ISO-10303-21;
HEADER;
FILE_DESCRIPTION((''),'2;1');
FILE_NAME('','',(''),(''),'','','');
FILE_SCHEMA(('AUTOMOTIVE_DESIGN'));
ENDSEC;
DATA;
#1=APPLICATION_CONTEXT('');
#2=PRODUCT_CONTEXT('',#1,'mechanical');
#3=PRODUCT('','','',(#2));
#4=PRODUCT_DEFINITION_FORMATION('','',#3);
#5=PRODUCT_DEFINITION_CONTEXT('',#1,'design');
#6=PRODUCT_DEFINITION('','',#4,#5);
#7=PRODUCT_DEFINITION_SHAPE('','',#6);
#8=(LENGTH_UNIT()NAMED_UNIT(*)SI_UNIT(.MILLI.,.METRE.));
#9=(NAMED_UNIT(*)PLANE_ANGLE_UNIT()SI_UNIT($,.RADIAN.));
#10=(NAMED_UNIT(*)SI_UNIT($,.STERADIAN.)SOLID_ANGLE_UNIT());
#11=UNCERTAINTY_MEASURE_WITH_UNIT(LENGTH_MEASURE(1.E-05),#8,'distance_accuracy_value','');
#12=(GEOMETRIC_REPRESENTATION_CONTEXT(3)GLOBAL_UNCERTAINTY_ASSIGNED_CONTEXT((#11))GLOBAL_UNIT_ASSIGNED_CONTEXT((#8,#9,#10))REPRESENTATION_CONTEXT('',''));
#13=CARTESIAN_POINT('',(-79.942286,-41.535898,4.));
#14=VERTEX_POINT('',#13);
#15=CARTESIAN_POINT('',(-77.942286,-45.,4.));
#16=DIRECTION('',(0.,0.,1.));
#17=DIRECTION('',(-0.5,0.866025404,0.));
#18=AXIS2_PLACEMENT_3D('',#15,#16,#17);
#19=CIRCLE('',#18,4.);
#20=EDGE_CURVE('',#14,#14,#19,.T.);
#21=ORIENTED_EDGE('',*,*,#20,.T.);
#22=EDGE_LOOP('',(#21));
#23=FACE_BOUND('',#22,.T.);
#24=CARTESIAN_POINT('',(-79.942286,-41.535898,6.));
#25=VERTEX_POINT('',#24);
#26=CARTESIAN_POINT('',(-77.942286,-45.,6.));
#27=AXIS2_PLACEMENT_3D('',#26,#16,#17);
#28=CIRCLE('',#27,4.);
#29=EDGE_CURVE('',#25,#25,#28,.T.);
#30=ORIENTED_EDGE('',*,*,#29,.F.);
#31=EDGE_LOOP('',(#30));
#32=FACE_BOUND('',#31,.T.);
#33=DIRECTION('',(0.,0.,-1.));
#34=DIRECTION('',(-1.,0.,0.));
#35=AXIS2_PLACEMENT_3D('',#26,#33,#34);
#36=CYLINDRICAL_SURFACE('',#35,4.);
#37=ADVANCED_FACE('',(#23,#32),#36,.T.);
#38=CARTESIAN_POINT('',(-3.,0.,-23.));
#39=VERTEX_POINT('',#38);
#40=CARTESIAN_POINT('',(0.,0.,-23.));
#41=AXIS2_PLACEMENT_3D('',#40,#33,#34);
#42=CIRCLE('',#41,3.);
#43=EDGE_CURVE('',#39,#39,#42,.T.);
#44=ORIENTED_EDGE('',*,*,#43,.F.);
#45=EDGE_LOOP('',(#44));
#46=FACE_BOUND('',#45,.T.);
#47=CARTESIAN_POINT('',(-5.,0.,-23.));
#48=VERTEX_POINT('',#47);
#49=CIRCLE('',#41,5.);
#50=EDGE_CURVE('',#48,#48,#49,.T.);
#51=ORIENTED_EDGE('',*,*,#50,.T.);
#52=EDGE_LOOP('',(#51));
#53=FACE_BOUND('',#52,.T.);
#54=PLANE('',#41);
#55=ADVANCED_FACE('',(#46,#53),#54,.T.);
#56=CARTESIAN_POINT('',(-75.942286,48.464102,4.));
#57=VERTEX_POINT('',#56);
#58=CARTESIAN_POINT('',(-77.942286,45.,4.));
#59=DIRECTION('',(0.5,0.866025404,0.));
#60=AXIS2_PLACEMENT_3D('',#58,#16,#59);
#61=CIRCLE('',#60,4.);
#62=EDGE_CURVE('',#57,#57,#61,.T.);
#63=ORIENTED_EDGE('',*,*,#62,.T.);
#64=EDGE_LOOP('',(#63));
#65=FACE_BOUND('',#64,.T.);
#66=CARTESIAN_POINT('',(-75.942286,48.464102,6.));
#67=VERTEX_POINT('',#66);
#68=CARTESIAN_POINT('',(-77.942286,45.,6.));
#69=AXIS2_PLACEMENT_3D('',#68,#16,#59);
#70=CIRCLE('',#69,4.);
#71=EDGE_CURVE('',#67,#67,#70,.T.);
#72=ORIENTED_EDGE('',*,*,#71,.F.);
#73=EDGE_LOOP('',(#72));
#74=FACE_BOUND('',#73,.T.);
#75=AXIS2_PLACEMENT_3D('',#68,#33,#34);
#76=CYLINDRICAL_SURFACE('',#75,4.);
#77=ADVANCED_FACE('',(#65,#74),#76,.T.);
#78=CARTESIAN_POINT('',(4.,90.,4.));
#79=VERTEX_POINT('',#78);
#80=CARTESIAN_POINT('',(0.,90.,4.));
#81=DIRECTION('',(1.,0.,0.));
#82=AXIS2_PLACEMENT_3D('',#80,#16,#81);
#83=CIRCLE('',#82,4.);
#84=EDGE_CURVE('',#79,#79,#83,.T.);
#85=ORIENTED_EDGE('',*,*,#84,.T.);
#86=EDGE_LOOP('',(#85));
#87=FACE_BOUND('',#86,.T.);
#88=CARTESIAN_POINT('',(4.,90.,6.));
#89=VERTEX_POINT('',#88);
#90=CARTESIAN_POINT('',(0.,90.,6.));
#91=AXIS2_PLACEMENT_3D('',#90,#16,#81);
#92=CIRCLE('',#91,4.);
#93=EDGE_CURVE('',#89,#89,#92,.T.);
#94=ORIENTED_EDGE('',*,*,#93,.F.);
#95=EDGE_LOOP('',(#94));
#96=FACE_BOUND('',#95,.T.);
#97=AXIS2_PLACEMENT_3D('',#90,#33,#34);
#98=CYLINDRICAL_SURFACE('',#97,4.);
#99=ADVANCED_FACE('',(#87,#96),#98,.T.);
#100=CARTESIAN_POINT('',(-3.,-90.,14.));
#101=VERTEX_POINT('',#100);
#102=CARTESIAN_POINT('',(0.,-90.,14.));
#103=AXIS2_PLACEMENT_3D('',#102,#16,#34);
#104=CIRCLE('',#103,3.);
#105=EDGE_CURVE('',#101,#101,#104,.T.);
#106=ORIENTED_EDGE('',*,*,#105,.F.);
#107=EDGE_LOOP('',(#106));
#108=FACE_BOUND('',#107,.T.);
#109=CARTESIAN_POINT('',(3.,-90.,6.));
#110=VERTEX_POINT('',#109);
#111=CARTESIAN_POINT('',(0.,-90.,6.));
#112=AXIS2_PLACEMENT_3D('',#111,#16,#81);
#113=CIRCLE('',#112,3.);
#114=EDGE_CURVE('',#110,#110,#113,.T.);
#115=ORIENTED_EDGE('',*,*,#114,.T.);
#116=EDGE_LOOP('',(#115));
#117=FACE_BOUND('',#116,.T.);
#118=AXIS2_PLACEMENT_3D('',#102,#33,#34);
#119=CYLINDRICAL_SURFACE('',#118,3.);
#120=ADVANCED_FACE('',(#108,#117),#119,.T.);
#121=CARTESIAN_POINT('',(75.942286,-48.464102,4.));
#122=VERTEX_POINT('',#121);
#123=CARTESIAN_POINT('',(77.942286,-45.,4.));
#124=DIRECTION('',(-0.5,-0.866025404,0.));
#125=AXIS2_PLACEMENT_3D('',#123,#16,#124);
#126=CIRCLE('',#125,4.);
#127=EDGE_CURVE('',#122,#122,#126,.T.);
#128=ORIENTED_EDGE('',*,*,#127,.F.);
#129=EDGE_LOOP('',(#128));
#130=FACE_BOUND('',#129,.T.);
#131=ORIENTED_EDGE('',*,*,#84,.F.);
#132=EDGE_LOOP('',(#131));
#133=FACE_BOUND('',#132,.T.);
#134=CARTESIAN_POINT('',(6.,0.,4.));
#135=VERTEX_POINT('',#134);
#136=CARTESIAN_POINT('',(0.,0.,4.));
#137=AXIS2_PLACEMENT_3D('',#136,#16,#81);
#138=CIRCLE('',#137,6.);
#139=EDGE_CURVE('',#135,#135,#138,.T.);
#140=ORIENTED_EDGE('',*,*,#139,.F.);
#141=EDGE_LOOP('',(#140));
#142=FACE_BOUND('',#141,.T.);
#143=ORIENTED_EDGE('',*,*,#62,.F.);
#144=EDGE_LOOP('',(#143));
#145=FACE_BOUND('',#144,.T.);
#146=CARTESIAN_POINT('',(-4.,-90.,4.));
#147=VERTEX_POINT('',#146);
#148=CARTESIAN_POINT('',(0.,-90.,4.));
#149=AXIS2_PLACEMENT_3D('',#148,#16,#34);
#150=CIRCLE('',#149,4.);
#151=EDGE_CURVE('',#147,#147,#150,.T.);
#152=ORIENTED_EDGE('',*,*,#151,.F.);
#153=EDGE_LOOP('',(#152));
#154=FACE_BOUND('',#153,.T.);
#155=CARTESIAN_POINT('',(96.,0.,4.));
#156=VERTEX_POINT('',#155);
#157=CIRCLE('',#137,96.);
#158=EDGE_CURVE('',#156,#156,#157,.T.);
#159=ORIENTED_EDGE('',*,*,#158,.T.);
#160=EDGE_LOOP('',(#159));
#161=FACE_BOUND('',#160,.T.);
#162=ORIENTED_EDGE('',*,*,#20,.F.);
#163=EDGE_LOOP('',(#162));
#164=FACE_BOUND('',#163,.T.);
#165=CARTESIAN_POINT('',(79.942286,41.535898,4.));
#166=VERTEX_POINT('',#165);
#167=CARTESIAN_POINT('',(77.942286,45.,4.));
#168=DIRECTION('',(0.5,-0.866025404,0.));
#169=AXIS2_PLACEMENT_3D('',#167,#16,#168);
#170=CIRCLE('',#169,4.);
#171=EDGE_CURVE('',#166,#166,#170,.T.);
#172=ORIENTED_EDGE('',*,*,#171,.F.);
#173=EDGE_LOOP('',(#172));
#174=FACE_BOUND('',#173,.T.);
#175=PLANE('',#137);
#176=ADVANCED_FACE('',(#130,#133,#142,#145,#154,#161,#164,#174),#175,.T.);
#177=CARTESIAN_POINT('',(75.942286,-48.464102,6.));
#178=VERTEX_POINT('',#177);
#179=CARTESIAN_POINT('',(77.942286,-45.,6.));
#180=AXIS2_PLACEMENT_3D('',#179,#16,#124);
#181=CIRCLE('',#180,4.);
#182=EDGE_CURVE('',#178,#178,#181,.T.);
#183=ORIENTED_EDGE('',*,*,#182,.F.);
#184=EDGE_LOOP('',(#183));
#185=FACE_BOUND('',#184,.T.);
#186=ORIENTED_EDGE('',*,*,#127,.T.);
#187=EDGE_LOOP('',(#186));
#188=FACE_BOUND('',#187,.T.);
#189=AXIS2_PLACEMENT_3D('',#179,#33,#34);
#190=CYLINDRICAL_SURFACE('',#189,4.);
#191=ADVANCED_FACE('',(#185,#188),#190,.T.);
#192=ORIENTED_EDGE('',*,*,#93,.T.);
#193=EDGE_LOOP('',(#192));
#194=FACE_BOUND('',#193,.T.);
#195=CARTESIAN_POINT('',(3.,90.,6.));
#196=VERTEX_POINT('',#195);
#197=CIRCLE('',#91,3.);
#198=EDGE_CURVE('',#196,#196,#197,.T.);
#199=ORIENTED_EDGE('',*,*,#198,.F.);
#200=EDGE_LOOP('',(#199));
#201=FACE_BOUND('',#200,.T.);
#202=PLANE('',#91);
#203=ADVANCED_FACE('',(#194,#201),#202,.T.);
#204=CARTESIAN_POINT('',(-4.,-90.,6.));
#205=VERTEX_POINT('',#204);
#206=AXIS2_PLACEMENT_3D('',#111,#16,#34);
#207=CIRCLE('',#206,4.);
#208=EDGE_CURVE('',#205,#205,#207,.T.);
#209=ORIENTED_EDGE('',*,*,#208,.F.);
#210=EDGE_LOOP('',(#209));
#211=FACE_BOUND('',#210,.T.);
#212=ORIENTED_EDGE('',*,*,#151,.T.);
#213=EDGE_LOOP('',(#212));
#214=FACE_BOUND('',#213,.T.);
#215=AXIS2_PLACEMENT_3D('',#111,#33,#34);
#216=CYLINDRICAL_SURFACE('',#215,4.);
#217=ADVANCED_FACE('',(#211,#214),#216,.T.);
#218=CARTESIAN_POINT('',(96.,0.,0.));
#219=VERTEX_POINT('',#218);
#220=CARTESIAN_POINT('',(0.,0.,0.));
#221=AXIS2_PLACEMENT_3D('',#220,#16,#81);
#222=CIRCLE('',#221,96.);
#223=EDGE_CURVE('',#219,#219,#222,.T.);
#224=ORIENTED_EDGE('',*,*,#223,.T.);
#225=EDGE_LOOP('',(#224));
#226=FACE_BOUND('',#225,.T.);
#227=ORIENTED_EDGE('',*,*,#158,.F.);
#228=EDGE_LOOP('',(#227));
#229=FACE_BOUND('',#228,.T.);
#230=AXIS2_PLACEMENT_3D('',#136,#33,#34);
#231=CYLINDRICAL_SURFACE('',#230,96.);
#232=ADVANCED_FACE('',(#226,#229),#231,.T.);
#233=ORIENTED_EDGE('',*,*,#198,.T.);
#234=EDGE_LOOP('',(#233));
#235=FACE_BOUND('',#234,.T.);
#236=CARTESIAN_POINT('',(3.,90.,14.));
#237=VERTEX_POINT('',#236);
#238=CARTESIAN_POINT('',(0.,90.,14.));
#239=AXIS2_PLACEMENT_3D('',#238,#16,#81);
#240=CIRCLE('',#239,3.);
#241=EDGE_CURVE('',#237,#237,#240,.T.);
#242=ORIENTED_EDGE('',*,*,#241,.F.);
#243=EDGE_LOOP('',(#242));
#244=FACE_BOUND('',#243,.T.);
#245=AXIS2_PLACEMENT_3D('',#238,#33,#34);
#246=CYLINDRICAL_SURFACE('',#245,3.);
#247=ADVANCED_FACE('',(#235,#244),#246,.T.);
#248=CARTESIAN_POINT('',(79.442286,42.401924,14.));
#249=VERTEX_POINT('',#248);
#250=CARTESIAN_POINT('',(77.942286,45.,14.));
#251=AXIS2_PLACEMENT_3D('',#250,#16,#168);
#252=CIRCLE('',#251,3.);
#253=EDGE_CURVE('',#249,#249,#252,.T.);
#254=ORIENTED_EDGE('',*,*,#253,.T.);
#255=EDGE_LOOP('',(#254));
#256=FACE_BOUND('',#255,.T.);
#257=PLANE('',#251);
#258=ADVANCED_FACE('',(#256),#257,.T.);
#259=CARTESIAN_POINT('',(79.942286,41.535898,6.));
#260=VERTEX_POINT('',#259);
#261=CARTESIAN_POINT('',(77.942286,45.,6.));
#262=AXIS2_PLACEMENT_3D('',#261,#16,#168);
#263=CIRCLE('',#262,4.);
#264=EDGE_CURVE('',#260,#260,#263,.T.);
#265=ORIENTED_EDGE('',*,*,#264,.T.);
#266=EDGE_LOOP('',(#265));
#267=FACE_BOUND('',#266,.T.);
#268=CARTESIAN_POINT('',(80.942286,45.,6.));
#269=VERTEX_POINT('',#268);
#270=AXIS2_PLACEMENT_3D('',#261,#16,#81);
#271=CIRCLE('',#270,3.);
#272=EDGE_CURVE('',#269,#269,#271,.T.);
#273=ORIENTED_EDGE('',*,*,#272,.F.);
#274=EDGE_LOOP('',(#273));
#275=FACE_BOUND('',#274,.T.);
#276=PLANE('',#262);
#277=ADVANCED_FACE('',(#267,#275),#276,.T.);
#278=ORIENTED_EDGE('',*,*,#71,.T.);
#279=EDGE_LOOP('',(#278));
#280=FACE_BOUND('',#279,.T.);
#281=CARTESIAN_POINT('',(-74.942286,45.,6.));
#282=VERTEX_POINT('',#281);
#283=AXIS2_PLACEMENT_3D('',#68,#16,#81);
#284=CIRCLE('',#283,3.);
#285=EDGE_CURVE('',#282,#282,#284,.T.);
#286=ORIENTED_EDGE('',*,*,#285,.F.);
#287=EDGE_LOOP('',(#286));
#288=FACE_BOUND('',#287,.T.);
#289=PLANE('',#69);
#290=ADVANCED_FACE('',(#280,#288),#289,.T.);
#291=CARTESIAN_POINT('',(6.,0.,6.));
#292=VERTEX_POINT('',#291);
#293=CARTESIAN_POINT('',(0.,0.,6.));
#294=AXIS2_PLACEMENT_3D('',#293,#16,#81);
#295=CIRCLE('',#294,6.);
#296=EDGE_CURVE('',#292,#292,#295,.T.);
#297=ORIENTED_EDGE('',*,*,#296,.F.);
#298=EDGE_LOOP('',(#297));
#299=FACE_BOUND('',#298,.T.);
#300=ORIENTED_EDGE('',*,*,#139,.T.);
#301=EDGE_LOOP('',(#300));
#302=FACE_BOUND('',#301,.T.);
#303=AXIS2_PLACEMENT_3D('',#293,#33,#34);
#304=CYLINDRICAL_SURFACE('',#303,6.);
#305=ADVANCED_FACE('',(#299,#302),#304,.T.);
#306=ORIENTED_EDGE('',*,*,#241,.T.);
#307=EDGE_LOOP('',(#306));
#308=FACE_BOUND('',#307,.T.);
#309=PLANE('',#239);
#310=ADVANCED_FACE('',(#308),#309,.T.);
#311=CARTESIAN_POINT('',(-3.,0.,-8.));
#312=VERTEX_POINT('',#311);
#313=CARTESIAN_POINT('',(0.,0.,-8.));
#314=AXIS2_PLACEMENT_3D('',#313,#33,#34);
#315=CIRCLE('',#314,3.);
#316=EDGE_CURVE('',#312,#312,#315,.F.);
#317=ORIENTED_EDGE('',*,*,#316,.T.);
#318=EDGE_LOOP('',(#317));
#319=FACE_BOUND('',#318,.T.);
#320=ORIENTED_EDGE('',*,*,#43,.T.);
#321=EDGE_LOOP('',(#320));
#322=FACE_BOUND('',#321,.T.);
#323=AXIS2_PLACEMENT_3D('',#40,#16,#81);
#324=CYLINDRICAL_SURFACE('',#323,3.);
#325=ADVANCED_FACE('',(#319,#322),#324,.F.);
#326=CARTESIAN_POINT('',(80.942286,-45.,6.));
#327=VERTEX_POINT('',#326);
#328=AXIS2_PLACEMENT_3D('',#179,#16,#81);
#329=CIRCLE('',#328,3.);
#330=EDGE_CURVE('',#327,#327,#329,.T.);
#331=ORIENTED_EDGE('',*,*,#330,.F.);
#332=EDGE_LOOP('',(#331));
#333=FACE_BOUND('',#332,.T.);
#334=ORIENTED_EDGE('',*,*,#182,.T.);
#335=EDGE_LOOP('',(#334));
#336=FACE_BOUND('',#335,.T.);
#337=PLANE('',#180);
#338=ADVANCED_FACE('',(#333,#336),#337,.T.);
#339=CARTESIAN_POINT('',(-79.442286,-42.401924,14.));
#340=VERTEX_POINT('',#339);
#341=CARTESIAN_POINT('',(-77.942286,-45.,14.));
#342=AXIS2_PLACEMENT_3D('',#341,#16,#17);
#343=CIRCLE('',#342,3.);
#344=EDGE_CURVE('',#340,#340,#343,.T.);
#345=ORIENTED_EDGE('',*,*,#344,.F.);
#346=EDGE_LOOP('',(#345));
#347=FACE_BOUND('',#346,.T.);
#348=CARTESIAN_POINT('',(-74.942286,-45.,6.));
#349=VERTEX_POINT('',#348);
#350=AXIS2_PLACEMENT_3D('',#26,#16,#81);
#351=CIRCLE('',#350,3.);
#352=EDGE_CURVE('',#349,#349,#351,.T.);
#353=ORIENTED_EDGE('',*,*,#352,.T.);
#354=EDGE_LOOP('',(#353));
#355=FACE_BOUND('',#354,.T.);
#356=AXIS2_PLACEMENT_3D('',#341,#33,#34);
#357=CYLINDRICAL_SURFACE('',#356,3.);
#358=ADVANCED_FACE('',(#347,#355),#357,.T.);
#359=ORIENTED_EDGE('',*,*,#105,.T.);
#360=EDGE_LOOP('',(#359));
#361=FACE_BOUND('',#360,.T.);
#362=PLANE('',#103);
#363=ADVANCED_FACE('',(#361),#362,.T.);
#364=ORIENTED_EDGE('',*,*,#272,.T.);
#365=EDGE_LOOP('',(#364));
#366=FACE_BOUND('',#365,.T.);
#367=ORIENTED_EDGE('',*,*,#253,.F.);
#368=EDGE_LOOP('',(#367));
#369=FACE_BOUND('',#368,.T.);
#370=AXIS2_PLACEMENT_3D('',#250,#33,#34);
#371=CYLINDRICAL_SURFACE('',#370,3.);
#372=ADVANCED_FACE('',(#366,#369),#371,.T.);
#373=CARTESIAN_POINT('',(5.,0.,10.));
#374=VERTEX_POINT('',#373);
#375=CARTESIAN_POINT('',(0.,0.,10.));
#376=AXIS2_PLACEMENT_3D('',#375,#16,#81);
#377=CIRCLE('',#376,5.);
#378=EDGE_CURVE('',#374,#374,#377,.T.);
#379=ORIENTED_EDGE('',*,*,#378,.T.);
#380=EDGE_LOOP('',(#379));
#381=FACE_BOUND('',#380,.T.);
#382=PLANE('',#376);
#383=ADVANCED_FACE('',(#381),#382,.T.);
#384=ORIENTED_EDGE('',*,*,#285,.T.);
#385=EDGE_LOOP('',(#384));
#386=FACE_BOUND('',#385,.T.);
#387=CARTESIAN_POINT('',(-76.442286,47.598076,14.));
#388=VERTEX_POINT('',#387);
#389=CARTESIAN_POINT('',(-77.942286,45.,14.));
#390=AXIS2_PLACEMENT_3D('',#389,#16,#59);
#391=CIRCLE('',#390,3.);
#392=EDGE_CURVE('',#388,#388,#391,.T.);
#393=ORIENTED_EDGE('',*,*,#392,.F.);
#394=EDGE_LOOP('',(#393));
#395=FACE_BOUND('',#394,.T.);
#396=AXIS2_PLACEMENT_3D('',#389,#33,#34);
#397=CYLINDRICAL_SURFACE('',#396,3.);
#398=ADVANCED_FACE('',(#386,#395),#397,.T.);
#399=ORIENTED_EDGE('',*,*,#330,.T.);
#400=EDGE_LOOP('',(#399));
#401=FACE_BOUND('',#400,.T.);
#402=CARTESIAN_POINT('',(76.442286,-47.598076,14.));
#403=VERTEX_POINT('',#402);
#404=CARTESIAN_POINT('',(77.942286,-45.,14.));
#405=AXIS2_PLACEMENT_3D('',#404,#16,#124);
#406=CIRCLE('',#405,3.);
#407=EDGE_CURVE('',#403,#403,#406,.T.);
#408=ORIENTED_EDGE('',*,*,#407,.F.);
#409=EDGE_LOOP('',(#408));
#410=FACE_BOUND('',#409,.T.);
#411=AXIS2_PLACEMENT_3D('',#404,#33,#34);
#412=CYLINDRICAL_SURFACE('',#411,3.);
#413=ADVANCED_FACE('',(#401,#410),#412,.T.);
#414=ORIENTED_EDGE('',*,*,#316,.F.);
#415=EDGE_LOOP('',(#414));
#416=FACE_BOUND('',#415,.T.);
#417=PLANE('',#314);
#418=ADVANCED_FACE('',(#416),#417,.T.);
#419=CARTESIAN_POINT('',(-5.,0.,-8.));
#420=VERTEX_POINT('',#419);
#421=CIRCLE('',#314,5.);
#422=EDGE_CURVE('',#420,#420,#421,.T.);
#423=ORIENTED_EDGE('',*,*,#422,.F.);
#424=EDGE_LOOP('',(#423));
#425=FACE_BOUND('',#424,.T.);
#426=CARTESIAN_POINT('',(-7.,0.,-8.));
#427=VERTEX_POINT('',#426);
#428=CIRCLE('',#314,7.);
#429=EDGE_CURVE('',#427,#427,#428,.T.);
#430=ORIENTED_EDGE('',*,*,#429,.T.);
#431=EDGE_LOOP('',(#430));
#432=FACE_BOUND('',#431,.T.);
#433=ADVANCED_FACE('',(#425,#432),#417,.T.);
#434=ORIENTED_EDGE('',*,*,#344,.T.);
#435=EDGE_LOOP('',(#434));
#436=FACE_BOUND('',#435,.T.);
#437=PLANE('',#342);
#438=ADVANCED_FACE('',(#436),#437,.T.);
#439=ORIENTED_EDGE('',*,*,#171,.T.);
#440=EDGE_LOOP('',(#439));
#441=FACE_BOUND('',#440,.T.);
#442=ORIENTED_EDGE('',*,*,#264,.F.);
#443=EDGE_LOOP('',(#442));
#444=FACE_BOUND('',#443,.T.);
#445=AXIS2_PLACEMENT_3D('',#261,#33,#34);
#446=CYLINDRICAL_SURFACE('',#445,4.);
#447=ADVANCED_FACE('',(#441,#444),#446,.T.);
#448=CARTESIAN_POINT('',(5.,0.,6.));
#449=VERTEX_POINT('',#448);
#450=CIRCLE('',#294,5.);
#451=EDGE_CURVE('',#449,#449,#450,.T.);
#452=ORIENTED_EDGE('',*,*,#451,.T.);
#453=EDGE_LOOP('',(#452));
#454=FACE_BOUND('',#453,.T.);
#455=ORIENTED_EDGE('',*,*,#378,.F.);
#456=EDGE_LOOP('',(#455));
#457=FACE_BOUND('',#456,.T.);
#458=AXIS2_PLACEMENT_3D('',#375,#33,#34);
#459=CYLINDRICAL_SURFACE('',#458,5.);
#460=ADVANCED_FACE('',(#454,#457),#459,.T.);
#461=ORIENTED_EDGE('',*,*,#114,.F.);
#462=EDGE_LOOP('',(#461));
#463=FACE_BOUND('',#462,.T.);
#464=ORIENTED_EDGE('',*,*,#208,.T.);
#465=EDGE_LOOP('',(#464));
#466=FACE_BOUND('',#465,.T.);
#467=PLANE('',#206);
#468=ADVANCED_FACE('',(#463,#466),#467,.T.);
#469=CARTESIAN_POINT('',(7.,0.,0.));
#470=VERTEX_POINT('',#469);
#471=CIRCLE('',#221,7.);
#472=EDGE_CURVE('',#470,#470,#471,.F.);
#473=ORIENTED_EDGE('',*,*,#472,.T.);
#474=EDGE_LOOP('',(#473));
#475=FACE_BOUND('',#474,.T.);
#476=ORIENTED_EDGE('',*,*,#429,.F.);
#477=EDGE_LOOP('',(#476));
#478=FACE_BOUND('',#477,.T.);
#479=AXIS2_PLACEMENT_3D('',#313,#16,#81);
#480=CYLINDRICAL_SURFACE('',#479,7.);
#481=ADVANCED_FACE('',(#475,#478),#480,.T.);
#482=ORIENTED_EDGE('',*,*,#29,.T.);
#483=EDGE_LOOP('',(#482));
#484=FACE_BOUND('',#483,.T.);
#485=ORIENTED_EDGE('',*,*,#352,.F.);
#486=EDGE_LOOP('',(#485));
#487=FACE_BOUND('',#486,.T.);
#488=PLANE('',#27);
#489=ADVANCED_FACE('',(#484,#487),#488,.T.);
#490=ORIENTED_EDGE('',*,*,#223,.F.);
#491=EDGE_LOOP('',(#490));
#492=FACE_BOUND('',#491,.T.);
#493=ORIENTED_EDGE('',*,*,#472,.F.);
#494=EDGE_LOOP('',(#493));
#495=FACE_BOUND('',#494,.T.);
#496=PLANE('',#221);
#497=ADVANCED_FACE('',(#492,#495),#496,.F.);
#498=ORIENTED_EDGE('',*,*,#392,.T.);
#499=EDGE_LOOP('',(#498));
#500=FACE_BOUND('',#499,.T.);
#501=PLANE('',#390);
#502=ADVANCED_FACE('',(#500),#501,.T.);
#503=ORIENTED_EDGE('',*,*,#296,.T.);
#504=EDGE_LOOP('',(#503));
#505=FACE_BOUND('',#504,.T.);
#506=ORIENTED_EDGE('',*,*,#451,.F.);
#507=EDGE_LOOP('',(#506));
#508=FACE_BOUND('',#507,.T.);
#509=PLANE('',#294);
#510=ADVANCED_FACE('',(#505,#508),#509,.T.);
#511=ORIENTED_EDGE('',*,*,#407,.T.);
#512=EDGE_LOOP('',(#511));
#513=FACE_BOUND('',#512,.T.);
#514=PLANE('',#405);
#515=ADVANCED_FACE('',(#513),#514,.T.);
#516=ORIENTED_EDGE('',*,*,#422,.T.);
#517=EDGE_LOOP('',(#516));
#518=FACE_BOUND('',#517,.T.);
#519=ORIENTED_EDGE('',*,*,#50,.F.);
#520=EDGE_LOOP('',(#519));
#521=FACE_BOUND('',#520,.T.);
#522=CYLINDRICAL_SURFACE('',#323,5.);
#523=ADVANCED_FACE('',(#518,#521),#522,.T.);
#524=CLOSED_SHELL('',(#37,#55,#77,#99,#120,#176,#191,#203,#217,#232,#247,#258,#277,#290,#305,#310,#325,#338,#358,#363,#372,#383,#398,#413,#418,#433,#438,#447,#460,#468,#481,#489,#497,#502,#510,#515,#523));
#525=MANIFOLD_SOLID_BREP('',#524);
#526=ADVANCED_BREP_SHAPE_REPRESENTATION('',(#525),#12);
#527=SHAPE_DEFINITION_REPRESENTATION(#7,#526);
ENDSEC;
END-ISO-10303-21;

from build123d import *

# Parameters (mm, degrees)
SKETCH_1_R               = 96
EXTRUDE_1_DEPTH          = 4
SKETCH_2_R               = 5
EXTRUDE_2_DEPTH          = 6
SKETCH_3_R               = 3
EXTRUDE_3_DEPTH          = 10
PATTERN_CIRCULAR_1_COUNT = 6
SKETCH_4_R               = 6
EXTRUDE_4_DEPTH          = 2
SKETCH_5_R               = 4
EXTRUDE_5_DEPTH          = 2
PATTERN_CIRCULAR_2_COUNT = 6
SKETCH_6_R               = 7
EXTRUDE_6_DEPTH          = 8
EXTRUDE_START            = 15
SKETCH_7_R               = 5
SKETCH_7_R_2             = 3
EXTRUDE_1_2_DEPTH        = 15


with BuildPart() as part:
    # 草图1 → Extrude 1 (new body)
    with BuildSketch(Plane.XY):
        Circle(SKETCH_1_R)
    extrude(amount=EXTRUDE_1_DEPTH)

    # 草图2 → 凸台-拉伸2 (add)
    with BuildSketch(Plane.XY.offset(4)):
        Circle(SKETCH_2_R)
    extrude(amount=EXTRUDE_2_DEPTH)

    # 草图3 → 凸台-拉伸3 (add)
    with BuildSketch(Plane.XY.offset(4)):
        with Locations((0, 90)):
            Circle(SKETCH_3_R)
    extrude_3 = extrude(amount=EXTRUDE_3_DEPTH)

    # 阵列(圆周)1: 凸台-拉伸3 ×6 about axis
    pattern_circular_1_axis = Axis((0, 0, 0), (0, 0, 1))
    for i in range(1, PATTERN_CIRCULAR_1_COUNT):
        add(extrude_3.rotate(pattern_circular_1_axis, i * 360 / PATTERN_CIRCULAR_1_COUNT))

    # 草图4 → 凸台-拉伸4 (add)
    with BuildSketch(Plane.XY.offset(4)):
        Circle(SKETCH_4_R)
    extrude(amount=EXTRUDE_4_DEPTH)

    # 草图5 → 凸台-拉伸5 (add)
    with BuildSketch(Plane.XY.offset(4)):
        with Locations((0, 90)):
            Circle(SKETCH_5_R)
    extrude_5 = extrude(amount=EXTRUDE_5_DEPTH)

    # 阵列(圆周)2: 凸台-拉伸5 ×6 about axis
    pattern_circular_2_axis = Axis((0, 0, 0), (0, 0, 1))
    for i in range(1, PATTERN_CIRCULAR_2_COUNT):
        add(extrude_5.rotate(pattern_circular_2_axis, i * 360 / PATTERN_CIRCULAR_2_COUNT))

    # 草图6 → 凸台-拉伸6 (add)
    with BuildSketch(Plane(origin=(0, 0, 0), x_dir=(-1, 0, 0), z_dir=(0, 0, -1))):
        with Locations(Location((0, 0, 0), (0, 0, 180))):
            Circle(SKETCH_6_R)
    extrude(amount=EXTRUDE_6_DEPTH)

    # 草图7 → Extrude 1 2 (add)
    with BuildSketch(Plane(origin=(0, 0, -8), x_dir=(-1, 0, 0), z_dir=(0, 0, -1)).offset(EXTRUDE_START)):
        Circle(SKETCH_7_R)
        Circle(SKETCH_7_R_2, mode=Mode.SUBTRACT)
    extrude(amount=-EXTRUDE_1_2_DEPTH)


solid = part.part
